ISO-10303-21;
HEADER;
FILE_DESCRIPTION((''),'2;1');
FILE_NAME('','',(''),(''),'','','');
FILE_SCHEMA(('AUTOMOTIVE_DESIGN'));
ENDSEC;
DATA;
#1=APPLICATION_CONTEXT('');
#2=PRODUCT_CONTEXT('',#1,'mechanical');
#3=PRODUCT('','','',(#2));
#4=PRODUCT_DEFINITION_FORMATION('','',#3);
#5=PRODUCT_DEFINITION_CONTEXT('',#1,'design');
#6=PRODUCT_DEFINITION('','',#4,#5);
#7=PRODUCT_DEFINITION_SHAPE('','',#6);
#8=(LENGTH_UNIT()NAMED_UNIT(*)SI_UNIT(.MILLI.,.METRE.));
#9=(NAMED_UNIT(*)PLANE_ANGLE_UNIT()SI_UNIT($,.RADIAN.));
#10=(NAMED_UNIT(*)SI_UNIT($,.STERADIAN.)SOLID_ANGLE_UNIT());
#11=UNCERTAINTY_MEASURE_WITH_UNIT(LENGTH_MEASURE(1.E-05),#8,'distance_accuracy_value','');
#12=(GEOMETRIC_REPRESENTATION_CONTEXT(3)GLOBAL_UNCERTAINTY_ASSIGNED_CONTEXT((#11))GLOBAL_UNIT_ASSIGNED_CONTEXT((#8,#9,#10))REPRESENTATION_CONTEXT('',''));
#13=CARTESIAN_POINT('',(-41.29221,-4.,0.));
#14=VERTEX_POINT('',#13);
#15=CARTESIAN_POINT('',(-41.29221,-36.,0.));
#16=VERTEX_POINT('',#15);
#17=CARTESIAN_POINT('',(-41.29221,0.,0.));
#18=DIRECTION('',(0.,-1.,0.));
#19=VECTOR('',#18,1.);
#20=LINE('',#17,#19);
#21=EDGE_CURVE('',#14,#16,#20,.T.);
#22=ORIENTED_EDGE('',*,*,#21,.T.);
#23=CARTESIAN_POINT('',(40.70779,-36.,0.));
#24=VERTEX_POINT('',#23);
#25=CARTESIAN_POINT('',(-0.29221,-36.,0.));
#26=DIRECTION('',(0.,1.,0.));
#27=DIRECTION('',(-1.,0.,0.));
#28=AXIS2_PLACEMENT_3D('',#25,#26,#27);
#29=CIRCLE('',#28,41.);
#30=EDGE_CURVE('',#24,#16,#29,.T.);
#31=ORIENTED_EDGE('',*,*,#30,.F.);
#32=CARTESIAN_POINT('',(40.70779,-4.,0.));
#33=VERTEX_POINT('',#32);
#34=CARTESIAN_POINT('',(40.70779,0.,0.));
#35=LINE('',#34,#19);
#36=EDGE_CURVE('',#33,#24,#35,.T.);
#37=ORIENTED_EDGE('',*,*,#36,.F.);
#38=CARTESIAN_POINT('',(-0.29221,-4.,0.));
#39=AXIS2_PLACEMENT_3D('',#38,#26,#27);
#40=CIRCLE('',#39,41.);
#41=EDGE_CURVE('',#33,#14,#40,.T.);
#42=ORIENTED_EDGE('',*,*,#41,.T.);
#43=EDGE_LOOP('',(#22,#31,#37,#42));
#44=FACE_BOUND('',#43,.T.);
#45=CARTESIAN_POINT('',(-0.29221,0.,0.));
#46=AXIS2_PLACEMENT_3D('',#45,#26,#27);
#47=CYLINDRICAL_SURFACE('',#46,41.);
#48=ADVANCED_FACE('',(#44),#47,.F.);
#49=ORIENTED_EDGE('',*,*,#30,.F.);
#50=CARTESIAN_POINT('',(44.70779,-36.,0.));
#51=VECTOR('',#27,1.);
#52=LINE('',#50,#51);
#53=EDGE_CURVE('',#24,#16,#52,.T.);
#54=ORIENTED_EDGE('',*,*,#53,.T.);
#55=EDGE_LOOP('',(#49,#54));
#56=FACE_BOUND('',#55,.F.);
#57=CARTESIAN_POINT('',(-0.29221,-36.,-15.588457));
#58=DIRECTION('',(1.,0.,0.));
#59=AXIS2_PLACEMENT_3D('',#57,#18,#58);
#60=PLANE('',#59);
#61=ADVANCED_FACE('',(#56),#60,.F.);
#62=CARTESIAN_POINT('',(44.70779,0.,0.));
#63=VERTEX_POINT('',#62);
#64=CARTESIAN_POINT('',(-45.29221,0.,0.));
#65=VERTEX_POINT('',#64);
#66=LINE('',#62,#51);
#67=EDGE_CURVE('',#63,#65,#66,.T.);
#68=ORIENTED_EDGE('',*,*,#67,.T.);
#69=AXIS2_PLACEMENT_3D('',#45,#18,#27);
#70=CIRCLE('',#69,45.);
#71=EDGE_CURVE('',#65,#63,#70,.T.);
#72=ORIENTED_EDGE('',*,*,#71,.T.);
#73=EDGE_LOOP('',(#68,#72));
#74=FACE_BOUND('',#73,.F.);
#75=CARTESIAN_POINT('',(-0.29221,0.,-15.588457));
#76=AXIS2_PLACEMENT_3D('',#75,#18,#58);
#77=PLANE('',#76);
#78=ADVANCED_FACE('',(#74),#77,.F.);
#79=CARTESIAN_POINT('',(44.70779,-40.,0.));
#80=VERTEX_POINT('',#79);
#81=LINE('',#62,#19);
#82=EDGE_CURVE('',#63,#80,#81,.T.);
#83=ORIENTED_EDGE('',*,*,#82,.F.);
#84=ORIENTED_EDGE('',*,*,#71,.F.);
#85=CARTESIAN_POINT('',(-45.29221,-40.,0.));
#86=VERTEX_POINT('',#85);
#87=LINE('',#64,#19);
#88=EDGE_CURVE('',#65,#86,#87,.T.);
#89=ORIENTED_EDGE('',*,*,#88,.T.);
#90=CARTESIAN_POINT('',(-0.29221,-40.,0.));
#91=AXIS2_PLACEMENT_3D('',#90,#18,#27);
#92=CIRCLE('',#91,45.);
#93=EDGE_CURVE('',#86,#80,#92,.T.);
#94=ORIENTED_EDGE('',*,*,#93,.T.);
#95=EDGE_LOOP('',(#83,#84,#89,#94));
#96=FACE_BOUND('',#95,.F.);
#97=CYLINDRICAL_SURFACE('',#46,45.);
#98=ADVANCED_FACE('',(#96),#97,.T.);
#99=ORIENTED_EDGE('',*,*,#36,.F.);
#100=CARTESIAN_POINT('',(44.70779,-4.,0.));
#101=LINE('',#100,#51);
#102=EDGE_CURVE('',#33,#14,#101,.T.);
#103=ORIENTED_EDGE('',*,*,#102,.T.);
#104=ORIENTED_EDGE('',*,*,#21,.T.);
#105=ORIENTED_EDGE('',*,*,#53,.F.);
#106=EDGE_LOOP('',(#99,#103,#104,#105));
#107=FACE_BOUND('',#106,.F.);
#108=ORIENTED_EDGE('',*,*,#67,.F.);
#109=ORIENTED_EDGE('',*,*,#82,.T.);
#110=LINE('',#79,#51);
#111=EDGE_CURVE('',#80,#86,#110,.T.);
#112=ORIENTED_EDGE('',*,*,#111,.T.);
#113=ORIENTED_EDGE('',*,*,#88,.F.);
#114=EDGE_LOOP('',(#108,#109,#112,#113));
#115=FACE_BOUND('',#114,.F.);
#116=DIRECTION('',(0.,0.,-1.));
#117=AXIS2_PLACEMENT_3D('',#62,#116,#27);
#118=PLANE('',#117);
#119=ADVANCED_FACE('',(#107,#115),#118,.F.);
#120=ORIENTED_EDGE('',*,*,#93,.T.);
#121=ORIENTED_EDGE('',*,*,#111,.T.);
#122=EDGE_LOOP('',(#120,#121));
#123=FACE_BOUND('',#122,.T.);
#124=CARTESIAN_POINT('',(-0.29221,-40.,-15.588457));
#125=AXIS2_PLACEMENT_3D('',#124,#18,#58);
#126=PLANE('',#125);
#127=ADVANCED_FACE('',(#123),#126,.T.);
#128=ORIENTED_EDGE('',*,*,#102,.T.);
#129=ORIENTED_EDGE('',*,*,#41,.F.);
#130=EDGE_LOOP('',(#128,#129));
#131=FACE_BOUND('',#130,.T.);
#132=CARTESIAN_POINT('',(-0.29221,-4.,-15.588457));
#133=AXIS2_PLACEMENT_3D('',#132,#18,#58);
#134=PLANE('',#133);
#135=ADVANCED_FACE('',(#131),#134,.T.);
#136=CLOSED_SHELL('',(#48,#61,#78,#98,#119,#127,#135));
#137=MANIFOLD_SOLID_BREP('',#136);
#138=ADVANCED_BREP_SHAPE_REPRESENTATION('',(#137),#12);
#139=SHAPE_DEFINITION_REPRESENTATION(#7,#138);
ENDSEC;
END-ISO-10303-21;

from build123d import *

# Parameters (mm, degrees)
F1_DEPTH = 40
F2_T     = -4


with BuildPart() as f1:
    # F0 (on Front) → F1 (new body)
    with BuildSketch(Plane.XZ):
        with BuildLine():
            Line((44.70779, 0), (-45.29221, 0))
            ThreePointArc((-45.29221, 0), (-0.29221, -45), (44.70779, 0))
        make_face()
    extrude(amount=F1_DEPTH)

    # F2
    f2_openings = [f1.faces().sort_by_distance(p)[0] for p in [
        (-0.29221, -20, 0),
    ]]
    offset(amount=F2_T, openings=f2_openings)


solid = f1.part
